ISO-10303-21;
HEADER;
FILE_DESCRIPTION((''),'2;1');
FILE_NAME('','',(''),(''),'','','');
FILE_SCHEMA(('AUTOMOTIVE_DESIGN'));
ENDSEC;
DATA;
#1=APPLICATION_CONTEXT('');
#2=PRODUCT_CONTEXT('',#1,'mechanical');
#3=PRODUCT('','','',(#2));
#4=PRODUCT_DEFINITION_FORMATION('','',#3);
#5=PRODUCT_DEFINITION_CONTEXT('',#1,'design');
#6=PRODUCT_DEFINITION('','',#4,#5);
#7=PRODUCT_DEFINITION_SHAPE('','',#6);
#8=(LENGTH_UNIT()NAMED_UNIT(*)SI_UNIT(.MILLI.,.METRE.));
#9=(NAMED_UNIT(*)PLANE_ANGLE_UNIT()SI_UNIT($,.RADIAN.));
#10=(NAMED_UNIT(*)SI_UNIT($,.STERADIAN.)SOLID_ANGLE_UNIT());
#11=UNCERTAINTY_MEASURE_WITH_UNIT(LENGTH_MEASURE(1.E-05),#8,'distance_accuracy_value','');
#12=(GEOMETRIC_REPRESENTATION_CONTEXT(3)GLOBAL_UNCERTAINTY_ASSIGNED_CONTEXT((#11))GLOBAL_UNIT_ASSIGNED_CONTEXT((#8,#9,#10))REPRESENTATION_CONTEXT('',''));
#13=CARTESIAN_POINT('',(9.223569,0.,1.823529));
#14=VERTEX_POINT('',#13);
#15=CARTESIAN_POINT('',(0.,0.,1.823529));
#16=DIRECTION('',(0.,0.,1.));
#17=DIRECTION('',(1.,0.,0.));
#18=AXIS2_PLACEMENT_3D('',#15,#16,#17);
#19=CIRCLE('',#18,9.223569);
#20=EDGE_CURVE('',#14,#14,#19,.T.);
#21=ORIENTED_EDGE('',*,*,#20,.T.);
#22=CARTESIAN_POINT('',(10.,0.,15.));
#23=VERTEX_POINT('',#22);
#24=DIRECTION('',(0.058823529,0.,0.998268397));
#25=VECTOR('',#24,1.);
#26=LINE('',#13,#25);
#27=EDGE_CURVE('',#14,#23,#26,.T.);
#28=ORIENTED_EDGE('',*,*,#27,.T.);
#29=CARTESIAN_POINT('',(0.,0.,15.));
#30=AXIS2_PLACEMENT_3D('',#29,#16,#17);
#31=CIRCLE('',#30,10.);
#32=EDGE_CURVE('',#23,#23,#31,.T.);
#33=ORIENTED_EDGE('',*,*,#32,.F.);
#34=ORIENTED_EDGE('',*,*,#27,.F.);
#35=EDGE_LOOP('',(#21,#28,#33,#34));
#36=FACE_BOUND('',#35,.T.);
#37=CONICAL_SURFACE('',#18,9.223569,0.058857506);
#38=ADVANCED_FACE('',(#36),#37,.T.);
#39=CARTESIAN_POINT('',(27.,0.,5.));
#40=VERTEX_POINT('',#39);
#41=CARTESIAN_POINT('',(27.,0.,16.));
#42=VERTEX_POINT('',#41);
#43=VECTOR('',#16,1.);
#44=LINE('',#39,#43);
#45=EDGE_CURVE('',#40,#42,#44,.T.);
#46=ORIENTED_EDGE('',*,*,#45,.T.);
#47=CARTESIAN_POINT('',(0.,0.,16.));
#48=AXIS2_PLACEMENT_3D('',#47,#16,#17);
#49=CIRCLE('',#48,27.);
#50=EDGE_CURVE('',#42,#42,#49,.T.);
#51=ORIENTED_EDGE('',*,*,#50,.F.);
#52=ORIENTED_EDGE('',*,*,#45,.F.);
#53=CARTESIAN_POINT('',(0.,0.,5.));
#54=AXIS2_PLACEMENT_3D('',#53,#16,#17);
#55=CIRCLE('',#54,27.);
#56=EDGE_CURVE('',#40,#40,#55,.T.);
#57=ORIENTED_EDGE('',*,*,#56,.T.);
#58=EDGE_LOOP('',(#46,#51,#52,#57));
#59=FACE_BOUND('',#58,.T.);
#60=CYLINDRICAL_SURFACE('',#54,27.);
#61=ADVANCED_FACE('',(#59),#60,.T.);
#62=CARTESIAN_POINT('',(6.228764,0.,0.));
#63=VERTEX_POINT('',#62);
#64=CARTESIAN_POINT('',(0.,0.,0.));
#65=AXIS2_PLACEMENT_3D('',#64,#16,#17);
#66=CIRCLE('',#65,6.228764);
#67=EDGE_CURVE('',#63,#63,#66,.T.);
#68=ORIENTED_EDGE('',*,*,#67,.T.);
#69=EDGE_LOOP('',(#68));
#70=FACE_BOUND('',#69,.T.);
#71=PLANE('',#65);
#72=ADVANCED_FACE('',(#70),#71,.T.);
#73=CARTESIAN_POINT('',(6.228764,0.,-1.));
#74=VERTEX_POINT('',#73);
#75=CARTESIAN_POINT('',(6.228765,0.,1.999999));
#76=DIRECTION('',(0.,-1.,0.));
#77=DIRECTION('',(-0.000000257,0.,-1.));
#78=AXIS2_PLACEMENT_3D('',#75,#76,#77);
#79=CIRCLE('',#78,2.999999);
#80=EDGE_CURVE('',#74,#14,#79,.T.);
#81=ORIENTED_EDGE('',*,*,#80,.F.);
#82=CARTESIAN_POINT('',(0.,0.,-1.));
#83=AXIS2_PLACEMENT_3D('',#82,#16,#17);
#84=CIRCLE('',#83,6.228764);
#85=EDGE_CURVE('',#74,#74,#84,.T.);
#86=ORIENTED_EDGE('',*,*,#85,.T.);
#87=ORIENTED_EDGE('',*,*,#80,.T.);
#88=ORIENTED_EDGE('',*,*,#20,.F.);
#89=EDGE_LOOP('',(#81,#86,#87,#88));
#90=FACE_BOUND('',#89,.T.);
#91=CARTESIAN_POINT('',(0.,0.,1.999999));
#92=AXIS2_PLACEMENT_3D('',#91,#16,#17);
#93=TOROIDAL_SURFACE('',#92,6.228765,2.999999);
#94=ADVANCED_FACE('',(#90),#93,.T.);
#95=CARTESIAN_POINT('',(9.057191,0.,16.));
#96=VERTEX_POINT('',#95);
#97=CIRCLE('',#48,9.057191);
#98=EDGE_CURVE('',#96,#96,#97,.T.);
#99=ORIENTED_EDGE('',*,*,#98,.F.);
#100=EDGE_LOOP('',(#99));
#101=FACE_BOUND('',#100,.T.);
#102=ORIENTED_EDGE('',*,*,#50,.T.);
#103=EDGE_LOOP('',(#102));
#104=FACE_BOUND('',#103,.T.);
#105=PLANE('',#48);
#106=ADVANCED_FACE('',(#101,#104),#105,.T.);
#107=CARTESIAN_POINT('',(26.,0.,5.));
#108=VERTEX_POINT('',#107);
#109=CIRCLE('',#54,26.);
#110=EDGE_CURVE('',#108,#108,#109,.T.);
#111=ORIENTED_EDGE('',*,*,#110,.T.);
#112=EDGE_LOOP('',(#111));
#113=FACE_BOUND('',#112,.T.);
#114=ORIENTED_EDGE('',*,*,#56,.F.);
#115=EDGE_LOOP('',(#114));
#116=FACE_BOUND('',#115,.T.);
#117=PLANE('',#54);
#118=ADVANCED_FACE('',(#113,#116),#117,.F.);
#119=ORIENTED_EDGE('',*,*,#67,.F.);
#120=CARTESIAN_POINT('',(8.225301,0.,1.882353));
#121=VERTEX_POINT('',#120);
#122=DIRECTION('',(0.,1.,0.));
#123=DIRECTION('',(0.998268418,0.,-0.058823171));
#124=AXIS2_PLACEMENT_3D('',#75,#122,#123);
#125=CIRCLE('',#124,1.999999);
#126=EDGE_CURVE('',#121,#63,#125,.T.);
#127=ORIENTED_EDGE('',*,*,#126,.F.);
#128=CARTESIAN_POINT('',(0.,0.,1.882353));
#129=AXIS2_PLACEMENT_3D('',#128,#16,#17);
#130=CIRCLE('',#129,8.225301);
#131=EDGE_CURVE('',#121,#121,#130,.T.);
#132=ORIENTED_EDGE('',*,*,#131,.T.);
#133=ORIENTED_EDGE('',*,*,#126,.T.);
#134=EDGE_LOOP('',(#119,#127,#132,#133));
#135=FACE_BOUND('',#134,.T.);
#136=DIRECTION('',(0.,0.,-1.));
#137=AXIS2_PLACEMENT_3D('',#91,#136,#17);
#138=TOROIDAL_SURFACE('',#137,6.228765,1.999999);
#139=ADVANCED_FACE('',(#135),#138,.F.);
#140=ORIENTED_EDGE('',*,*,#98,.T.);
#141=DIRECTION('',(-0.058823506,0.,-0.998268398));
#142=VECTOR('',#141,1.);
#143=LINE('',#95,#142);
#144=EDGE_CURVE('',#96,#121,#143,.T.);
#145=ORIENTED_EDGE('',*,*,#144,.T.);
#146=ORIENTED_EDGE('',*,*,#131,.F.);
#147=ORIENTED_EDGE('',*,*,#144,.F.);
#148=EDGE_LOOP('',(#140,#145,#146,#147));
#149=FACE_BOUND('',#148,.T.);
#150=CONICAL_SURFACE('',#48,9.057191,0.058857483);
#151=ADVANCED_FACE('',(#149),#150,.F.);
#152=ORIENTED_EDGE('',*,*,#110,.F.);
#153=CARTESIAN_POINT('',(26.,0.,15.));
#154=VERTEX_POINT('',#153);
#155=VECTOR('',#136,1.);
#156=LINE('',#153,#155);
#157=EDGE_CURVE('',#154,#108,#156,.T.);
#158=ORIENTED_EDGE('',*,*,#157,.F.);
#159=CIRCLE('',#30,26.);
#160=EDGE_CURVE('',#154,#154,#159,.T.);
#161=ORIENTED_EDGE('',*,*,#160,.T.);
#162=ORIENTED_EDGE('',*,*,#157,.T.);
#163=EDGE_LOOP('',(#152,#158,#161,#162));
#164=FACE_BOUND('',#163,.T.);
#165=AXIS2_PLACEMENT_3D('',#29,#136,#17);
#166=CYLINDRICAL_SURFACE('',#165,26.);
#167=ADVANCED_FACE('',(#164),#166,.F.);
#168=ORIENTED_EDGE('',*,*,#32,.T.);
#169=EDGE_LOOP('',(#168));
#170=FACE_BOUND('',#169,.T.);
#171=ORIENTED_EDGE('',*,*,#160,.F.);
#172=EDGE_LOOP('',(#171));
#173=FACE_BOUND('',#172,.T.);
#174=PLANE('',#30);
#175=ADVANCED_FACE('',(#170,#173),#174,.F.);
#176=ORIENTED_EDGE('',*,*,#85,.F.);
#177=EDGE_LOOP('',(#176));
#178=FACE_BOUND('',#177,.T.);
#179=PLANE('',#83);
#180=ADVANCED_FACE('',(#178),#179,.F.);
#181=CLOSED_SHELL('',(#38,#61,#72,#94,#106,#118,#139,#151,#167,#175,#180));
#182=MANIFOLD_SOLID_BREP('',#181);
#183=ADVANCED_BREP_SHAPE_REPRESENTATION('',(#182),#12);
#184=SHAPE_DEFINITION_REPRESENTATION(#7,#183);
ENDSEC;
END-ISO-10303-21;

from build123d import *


with BuildPart() as f1:
    # F0 (on Front) → F1 (revolve)
    with BuildSketch(Plane.XZ):
        with BuildLine():
            Line((6.228764, 0), (0, 0))
            Line((0, 0), (0, -1))
            Line((0, -1), (6.228764, -1))
            ThreePointArc((6.228764, -1), (8.286747, -0.182821), (9.223569, 1.823529))
            Line((9.223569, 1.823529), (10, 15))
            Line((10, 15), (26, 15))
            Line((26, 15), (26, 5))
            Line((26, 5), (27, 5))
            Line((27, 5), (27, 16))
            Line((27, 16), (9.057191, 16))
            Line((9.057191, 16), (8.225301, 1.882353))
            ThreePointArc((8.225301, 1.882353), (7.600753, 0.544786), (6.228764, 0))
        make_face()
    revolve(axis=Axis((0, 0, -0.5), (0, 0, 1)))


solid = f1.part
